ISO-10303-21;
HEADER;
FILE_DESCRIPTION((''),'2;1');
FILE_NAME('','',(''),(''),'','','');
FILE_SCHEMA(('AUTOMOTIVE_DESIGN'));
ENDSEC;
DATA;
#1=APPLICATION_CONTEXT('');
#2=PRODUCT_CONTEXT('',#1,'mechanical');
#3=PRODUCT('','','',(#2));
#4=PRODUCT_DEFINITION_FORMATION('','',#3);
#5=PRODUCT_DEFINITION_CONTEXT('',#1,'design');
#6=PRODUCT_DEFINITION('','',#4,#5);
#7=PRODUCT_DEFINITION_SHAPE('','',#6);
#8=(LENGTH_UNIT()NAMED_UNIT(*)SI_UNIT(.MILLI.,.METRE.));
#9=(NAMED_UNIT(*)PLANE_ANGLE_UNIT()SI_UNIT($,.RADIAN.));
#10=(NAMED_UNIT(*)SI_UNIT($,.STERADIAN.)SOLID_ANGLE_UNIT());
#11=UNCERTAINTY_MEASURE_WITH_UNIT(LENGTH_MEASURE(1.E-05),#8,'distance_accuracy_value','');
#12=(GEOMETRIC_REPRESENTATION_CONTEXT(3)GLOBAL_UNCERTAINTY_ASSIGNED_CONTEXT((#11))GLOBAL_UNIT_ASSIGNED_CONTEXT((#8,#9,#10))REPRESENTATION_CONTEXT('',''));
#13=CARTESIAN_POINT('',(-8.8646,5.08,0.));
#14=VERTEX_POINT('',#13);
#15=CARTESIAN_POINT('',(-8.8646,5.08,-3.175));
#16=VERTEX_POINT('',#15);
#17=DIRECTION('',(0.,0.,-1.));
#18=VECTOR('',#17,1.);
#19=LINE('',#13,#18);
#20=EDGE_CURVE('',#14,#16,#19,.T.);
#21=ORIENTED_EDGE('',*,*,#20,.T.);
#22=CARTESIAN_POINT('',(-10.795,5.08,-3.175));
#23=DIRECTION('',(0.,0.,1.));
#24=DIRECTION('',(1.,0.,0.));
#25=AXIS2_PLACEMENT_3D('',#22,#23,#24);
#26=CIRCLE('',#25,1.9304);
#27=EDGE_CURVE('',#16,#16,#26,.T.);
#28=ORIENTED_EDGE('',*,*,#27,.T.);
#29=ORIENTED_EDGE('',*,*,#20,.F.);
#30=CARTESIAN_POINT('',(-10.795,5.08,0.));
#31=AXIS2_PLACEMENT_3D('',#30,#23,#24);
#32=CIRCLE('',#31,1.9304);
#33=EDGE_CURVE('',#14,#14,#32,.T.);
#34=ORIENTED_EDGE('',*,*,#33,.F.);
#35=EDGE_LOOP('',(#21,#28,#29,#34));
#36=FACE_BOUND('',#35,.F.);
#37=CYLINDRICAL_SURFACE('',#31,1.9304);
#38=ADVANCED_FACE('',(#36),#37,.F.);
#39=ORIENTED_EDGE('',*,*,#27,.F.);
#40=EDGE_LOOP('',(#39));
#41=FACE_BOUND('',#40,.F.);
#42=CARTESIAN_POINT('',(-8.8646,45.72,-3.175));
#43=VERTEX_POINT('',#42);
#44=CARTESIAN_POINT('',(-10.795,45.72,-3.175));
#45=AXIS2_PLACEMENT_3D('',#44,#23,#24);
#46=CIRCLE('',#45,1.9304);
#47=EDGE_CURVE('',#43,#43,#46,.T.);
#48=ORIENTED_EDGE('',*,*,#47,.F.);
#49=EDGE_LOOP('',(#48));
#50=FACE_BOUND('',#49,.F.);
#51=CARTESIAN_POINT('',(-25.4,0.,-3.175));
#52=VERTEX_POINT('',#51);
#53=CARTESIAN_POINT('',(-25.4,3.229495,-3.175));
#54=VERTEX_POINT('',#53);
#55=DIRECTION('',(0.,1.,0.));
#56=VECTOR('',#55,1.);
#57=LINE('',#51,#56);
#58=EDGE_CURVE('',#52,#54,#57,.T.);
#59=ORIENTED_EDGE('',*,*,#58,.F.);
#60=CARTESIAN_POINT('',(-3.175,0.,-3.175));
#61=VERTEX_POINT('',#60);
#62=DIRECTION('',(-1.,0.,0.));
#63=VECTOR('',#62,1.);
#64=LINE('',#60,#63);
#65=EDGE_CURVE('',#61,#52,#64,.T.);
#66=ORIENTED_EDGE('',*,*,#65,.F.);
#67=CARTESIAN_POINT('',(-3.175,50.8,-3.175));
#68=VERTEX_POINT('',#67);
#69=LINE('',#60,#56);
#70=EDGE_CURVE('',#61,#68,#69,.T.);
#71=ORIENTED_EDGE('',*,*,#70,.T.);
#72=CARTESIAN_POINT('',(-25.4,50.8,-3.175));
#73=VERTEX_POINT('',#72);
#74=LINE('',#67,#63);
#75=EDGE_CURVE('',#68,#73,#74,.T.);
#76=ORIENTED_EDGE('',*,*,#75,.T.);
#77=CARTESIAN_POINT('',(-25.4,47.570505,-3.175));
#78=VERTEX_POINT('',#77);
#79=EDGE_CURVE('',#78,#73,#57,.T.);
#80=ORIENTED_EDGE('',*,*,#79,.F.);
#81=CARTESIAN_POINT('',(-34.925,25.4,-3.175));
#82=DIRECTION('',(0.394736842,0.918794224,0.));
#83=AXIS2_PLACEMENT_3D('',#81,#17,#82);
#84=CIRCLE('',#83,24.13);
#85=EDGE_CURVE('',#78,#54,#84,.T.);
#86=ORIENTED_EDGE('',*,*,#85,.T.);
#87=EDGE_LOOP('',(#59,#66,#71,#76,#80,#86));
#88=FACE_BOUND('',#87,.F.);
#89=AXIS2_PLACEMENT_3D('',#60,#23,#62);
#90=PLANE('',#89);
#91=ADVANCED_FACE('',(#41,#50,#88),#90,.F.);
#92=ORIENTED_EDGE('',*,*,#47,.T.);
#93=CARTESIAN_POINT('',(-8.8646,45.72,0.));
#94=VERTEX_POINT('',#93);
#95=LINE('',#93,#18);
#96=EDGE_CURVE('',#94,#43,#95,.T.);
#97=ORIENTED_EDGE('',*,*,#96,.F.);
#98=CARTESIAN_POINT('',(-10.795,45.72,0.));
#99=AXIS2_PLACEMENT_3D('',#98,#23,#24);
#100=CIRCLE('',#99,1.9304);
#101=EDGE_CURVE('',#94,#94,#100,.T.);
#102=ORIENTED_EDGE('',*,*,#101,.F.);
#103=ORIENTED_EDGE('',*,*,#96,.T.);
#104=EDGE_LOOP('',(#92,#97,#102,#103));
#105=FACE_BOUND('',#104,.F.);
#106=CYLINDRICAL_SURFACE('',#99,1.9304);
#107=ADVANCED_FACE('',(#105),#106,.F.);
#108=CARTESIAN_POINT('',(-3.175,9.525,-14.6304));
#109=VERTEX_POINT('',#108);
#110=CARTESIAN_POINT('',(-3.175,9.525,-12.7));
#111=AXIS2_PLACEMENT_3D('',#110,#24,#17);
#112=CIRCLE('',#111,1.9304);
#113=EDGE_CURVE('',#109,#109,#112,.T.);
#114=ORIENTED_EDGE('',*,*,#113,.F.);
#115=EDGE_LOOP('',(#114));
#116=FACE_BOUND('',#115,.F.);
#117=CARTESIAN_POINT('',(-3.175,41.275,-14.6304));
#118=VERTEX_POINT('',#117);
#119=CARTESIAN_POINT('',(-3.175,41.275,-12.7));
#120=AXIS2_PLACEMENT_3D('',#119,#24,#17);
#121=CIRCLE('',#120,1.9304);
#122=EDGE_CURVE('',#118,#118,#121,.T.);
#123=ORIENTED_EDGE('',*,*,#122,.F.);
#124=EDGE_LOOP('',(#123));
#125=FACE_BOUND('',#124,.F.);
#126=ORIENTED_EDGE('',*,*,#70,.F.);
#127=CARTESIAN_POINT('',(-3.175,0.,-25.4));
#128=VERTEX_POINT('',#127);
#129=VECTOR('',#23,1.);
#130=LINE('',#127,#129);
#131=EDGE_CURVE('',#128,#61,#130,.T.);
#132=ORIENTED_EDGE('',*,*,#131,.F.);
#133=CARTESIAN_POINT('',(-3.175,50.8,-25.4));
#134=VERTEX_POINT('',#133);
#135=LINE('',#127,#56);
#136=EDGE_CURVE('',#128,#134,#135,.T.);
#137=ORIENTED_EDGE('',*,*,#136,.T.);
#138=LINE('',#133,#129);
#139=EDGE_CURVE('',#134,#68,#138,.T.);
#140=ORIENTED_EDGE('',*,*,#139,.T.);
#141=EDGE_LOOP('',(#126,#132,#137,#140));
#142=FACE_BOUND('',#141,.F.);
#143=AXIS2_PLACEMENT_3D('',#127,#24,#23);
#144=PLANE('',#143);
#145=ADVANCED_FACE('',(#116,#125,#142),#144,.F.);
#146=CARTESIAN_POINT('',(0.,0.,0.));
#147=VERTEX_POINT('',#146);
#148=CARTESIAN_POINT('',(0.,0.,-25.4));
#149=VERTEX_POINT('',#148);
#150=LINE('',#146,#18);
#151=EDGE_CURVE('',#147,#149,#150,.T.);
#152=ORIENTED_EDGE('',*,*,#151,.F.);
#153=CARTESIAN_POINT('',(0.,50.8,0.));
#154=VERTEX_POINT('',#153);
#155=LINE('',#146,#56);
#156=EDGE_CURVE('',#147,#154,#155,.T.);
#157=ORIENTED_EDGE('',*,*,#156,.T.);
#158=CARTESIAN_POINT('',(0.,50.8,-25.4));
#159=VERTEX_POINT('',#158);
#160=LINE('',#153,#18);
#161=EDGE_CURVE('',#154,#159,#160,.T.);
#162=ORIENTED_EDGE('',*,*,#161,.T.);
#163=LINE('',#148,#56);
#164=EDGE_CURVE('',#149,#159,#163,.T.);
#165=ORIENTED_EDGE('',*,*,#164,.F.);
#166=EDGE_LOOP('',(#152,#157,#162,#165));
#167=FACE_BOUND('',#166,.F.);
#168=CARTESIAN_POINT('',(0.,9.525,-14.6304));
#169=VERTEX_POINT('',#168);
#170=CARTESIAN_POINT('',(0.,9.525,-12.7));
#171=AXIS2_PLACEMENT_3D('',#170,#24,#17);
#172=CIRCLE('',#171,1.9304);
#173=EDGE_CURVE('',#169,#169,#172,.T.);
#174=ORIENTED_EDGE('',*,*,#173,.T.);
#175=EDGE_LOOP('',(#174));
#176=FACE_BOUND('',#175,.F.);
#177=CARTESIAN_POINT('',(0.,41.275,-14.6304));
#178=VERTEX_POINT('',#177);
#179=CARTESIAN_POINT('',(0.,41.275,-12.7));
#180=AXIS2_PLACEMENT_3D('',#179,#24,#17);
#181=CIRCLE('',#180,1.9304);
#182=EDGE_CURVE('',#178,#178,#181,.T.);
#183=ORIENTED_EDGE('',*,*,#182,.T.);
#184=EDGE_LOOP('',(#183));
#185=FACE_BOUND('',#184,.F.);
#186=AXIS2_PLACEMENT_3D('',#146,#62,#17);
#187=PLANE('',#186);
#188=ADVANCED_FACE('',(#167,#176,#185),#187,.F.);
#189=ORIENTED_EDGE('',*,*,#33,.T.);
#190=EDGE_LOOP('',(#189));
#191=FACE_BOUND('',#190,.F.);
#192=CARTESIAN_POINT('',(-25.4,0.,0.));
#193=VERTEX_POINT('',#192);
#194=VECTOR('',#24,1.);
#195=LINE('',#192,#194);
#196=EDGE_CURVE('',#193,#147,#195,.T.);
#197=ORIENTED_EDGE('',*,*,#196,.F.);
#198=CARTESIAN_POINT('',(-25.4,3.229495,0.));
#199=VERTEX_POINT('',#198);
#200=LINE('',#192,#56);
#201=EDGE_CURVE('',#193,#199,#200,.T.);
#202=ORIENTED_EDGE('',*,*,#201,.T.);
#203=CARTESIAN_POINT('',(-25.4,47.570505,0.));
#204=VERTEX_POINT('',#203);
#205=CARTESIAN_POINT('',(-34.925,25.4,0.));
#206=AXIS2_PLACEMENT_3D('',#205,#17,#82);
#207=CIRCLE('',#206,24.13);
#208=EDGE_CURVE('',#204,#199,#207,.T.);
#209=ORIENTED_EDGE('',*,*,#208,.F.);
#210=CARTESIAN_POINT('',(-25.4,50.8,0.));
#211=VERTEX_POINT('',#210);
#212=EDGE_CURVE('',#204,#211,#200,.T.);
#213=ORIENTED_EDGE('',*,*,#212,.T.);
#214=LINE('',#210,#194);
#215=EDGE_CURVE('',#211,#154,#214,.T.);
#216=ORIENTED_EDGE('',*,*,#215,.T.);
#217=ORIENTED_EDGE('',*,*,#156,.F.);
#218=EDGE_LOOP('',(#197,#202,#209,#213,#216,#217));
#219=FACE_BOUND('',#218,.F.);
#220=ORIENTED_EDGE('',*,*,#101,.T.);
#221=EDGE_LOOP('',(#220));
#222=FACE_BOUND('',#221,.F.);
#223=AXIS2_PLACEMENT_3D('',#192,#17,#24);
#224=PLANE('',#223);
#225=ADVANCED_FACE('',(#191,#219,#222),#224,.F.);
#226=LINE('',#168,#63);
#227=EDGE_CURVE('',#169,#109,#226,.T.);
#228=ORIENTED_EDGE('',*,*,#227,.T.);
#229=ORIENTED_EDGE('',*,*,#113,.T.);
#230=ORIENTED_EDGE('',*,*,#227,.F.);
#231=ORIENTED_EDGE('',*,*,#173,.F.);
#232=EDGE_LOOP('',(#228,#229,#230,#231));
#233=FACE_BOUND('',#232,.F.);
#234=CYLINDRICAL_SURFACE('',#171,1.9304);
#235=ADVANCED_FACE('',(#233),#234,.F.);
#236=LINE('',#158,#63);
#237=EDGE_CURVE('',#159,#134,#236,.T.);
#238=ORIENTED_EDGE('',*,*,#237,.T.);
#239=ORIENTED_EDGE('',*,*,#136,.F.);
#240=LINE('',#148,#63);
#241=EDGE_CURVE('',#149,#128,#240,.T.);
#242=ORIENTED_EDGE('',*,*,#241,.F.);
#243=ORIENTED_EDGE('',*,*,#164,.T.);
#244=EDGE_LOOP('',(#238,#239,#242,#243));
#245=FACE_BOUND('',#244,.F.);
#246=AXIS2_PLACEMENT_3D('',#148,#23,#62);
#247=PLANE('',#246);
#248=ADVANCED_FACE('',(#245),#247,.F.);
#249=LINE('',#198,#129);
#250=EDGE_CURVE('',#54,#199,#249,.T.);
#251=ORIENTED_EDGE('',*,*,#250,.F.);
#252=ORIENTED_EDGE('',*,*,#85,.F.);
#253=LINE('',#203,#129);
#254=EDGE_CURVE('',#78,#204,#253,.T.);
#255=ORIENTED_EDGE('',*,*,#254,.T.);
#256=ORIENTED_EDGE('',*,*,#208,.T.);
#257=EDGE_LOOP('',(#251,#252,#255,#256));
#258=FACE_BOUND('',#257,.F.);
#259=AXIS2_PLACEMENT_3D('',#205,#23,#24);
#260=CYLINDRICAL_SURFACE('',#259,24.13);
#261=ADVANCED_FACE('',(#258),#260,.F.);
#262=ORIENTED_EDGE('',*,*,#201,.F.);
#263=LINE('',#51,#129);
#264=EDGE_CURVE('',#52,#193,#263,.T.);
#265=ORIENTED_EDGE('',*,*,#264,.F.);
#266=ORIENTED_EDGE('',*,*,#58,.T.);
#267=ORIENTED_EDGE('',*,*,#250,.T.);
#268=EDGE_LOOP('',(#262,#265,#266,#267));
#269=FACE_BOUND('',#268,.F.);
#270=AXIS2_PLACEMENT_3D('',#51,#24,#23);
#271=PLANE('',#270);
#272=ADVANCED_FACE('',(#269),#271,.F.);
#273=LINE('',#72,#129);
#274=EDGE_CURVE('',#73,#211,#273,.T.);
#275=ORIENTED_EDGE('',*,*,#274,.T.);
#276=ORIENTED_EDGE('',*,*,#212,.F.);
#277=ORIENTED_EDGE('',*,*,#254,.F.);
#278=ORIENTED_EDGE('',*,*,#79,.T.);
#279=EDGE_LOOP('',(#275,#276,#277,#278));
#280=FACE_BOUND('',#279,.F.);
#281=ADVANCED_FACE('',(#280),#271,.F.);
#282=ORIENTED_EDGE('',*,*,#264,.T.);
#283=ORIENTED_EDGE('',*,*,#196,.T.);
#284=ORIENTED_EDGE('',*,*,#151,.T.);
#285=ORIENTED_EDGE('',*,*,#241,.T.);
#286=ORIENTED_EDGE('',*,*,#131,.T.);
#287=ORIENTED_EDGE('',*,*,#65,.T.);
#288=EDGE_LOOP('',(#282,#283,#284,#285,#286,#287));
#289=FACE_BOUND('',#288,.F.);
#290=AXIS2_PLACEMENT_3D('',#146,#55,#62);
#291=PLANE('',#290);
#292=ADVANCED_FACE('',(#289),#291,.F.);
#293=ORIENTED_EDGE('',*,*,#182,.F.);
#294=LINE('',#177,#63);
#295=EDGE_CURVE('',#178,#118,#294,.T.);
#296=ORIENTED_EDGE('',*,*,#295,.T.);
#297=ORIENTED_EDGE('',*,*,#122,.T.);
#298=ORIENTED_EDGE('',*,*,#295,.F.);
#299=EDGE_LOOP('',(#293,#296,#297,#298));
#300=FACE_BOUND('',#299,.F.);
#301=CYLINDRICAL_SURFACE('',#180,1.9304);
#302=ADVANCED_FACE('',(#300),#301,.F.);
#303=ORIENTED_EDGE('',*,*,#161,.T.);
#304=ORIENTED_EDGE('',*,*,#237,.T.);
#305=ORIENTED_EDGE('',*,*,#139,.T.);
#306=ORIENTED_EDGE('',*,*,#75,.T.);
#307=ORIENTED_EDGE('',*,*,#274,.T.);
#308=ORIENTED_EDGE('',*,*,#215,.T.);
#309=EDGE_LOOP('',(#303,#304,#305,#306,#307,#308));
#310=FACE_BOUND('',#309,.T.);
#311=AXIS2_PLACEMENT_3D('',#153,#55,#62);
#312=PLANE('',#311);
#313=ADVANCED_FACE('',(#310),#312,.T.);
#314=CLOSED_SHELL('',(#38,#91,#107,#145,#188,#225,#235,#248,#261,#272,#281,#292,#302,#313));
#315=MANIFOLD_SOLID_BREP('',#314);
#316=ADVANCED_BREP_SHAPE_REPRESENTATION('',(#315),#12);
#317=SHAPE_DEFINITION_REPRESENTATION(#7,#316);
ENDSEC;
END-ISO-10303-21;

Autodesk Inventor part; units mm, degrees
ref_plane "YZ Plane" through (0, 0, 0) normal (1, 0, 0) x (0, 1, 0)
ref_plane "XZ Plane" through (0, 0, 0) normal (0, 1, 0) x (-1, 0, 0)
ref_plane "XY Plane" through (0, 0, 0) normal (0, 0, 1) x (1, 0, 0)
sketch "Sketch1" plane through (0, 0, 0) normal (0, 1, 0) x (-1, 0, 0)
  line L0 (0, 0) -> (0, -25.4)
  line L1 (0, -25.4) -> (3.175, -25.4)
  line L2 (3.175, -25.4) -> (3.175, -3.175)
  line L3 (3.175, -3.175) -> (25.4, -3.175)
  line L4 (25.4, -3.175) -> (25.4, 0)
  line L5 (25.4, 0) -> (0, 0)
  dimension "d0" = 25.4
  dimension "d1" = 3.175
  dimension "d2" = 22.225
  dimension "d3" = 22.225
extrude "Extrusion1" add sketch "Sketch1" along normal blind 50.8
sketch "Sketch2" plane through (-25.4, 0, 0) normal (0, 0, 1) x (1, 0, 0)
  line L0 (22.225, 0) -> (22.225, 50.8) projected
  line L1 (22.225, 0) -> (0, 0) projected
  line L2 (22.225, 50.8) -> (0, 50.8) projected
  circle A0 centre (14.605, 45.72) radius 1.9304
  circle A1 centre (14.605, 5.08) radius 1.9304
  circle A2 centre (-9.525, 25.4) radius 24.13
  line L3 (25.4, 0) -> (22.225, 0) projected
  dimension "d9" = 3.8608
  dimension "d10" = 3.8608
extrude "Extrusion2" cut sketch "Sketch2" against normal blind 63.5
sketch "Sketch3" plane through (0, 0, 0) normal (1, 0, 0) x (0, 0, -1)
  line L0 (25.4, 0) -> (25.4, 50.8) projected
  line L1 (0, 3.2295) -> (0, 47.5705) projected
  line L2 (0, 50.8) -> (25.4, 50.8) projected
  line L3 (25.4, 0) -> (3.175, 0) projected
  circle A0 centre (12.7, 9.525) radius 1.9304
  circle A1 centre (12.7, 41.275) radius 1.9304
  point P0 (0, 0)
  point P1 (12.7, 50.8)
  point P2 (14.2875, 0)
  dimension "d29" = 9.525
  dimension "d30" = 12.7
  dimension "d31" = 9.525
  dimension "d32" = 12.7
  dimension "d33" = 3.8608
  dimension "d34" = 3.8608
extrude "Extrusion3" cut sketch "Sketch3" against normal blind 63.5
properties part number "Frame Bracket"
